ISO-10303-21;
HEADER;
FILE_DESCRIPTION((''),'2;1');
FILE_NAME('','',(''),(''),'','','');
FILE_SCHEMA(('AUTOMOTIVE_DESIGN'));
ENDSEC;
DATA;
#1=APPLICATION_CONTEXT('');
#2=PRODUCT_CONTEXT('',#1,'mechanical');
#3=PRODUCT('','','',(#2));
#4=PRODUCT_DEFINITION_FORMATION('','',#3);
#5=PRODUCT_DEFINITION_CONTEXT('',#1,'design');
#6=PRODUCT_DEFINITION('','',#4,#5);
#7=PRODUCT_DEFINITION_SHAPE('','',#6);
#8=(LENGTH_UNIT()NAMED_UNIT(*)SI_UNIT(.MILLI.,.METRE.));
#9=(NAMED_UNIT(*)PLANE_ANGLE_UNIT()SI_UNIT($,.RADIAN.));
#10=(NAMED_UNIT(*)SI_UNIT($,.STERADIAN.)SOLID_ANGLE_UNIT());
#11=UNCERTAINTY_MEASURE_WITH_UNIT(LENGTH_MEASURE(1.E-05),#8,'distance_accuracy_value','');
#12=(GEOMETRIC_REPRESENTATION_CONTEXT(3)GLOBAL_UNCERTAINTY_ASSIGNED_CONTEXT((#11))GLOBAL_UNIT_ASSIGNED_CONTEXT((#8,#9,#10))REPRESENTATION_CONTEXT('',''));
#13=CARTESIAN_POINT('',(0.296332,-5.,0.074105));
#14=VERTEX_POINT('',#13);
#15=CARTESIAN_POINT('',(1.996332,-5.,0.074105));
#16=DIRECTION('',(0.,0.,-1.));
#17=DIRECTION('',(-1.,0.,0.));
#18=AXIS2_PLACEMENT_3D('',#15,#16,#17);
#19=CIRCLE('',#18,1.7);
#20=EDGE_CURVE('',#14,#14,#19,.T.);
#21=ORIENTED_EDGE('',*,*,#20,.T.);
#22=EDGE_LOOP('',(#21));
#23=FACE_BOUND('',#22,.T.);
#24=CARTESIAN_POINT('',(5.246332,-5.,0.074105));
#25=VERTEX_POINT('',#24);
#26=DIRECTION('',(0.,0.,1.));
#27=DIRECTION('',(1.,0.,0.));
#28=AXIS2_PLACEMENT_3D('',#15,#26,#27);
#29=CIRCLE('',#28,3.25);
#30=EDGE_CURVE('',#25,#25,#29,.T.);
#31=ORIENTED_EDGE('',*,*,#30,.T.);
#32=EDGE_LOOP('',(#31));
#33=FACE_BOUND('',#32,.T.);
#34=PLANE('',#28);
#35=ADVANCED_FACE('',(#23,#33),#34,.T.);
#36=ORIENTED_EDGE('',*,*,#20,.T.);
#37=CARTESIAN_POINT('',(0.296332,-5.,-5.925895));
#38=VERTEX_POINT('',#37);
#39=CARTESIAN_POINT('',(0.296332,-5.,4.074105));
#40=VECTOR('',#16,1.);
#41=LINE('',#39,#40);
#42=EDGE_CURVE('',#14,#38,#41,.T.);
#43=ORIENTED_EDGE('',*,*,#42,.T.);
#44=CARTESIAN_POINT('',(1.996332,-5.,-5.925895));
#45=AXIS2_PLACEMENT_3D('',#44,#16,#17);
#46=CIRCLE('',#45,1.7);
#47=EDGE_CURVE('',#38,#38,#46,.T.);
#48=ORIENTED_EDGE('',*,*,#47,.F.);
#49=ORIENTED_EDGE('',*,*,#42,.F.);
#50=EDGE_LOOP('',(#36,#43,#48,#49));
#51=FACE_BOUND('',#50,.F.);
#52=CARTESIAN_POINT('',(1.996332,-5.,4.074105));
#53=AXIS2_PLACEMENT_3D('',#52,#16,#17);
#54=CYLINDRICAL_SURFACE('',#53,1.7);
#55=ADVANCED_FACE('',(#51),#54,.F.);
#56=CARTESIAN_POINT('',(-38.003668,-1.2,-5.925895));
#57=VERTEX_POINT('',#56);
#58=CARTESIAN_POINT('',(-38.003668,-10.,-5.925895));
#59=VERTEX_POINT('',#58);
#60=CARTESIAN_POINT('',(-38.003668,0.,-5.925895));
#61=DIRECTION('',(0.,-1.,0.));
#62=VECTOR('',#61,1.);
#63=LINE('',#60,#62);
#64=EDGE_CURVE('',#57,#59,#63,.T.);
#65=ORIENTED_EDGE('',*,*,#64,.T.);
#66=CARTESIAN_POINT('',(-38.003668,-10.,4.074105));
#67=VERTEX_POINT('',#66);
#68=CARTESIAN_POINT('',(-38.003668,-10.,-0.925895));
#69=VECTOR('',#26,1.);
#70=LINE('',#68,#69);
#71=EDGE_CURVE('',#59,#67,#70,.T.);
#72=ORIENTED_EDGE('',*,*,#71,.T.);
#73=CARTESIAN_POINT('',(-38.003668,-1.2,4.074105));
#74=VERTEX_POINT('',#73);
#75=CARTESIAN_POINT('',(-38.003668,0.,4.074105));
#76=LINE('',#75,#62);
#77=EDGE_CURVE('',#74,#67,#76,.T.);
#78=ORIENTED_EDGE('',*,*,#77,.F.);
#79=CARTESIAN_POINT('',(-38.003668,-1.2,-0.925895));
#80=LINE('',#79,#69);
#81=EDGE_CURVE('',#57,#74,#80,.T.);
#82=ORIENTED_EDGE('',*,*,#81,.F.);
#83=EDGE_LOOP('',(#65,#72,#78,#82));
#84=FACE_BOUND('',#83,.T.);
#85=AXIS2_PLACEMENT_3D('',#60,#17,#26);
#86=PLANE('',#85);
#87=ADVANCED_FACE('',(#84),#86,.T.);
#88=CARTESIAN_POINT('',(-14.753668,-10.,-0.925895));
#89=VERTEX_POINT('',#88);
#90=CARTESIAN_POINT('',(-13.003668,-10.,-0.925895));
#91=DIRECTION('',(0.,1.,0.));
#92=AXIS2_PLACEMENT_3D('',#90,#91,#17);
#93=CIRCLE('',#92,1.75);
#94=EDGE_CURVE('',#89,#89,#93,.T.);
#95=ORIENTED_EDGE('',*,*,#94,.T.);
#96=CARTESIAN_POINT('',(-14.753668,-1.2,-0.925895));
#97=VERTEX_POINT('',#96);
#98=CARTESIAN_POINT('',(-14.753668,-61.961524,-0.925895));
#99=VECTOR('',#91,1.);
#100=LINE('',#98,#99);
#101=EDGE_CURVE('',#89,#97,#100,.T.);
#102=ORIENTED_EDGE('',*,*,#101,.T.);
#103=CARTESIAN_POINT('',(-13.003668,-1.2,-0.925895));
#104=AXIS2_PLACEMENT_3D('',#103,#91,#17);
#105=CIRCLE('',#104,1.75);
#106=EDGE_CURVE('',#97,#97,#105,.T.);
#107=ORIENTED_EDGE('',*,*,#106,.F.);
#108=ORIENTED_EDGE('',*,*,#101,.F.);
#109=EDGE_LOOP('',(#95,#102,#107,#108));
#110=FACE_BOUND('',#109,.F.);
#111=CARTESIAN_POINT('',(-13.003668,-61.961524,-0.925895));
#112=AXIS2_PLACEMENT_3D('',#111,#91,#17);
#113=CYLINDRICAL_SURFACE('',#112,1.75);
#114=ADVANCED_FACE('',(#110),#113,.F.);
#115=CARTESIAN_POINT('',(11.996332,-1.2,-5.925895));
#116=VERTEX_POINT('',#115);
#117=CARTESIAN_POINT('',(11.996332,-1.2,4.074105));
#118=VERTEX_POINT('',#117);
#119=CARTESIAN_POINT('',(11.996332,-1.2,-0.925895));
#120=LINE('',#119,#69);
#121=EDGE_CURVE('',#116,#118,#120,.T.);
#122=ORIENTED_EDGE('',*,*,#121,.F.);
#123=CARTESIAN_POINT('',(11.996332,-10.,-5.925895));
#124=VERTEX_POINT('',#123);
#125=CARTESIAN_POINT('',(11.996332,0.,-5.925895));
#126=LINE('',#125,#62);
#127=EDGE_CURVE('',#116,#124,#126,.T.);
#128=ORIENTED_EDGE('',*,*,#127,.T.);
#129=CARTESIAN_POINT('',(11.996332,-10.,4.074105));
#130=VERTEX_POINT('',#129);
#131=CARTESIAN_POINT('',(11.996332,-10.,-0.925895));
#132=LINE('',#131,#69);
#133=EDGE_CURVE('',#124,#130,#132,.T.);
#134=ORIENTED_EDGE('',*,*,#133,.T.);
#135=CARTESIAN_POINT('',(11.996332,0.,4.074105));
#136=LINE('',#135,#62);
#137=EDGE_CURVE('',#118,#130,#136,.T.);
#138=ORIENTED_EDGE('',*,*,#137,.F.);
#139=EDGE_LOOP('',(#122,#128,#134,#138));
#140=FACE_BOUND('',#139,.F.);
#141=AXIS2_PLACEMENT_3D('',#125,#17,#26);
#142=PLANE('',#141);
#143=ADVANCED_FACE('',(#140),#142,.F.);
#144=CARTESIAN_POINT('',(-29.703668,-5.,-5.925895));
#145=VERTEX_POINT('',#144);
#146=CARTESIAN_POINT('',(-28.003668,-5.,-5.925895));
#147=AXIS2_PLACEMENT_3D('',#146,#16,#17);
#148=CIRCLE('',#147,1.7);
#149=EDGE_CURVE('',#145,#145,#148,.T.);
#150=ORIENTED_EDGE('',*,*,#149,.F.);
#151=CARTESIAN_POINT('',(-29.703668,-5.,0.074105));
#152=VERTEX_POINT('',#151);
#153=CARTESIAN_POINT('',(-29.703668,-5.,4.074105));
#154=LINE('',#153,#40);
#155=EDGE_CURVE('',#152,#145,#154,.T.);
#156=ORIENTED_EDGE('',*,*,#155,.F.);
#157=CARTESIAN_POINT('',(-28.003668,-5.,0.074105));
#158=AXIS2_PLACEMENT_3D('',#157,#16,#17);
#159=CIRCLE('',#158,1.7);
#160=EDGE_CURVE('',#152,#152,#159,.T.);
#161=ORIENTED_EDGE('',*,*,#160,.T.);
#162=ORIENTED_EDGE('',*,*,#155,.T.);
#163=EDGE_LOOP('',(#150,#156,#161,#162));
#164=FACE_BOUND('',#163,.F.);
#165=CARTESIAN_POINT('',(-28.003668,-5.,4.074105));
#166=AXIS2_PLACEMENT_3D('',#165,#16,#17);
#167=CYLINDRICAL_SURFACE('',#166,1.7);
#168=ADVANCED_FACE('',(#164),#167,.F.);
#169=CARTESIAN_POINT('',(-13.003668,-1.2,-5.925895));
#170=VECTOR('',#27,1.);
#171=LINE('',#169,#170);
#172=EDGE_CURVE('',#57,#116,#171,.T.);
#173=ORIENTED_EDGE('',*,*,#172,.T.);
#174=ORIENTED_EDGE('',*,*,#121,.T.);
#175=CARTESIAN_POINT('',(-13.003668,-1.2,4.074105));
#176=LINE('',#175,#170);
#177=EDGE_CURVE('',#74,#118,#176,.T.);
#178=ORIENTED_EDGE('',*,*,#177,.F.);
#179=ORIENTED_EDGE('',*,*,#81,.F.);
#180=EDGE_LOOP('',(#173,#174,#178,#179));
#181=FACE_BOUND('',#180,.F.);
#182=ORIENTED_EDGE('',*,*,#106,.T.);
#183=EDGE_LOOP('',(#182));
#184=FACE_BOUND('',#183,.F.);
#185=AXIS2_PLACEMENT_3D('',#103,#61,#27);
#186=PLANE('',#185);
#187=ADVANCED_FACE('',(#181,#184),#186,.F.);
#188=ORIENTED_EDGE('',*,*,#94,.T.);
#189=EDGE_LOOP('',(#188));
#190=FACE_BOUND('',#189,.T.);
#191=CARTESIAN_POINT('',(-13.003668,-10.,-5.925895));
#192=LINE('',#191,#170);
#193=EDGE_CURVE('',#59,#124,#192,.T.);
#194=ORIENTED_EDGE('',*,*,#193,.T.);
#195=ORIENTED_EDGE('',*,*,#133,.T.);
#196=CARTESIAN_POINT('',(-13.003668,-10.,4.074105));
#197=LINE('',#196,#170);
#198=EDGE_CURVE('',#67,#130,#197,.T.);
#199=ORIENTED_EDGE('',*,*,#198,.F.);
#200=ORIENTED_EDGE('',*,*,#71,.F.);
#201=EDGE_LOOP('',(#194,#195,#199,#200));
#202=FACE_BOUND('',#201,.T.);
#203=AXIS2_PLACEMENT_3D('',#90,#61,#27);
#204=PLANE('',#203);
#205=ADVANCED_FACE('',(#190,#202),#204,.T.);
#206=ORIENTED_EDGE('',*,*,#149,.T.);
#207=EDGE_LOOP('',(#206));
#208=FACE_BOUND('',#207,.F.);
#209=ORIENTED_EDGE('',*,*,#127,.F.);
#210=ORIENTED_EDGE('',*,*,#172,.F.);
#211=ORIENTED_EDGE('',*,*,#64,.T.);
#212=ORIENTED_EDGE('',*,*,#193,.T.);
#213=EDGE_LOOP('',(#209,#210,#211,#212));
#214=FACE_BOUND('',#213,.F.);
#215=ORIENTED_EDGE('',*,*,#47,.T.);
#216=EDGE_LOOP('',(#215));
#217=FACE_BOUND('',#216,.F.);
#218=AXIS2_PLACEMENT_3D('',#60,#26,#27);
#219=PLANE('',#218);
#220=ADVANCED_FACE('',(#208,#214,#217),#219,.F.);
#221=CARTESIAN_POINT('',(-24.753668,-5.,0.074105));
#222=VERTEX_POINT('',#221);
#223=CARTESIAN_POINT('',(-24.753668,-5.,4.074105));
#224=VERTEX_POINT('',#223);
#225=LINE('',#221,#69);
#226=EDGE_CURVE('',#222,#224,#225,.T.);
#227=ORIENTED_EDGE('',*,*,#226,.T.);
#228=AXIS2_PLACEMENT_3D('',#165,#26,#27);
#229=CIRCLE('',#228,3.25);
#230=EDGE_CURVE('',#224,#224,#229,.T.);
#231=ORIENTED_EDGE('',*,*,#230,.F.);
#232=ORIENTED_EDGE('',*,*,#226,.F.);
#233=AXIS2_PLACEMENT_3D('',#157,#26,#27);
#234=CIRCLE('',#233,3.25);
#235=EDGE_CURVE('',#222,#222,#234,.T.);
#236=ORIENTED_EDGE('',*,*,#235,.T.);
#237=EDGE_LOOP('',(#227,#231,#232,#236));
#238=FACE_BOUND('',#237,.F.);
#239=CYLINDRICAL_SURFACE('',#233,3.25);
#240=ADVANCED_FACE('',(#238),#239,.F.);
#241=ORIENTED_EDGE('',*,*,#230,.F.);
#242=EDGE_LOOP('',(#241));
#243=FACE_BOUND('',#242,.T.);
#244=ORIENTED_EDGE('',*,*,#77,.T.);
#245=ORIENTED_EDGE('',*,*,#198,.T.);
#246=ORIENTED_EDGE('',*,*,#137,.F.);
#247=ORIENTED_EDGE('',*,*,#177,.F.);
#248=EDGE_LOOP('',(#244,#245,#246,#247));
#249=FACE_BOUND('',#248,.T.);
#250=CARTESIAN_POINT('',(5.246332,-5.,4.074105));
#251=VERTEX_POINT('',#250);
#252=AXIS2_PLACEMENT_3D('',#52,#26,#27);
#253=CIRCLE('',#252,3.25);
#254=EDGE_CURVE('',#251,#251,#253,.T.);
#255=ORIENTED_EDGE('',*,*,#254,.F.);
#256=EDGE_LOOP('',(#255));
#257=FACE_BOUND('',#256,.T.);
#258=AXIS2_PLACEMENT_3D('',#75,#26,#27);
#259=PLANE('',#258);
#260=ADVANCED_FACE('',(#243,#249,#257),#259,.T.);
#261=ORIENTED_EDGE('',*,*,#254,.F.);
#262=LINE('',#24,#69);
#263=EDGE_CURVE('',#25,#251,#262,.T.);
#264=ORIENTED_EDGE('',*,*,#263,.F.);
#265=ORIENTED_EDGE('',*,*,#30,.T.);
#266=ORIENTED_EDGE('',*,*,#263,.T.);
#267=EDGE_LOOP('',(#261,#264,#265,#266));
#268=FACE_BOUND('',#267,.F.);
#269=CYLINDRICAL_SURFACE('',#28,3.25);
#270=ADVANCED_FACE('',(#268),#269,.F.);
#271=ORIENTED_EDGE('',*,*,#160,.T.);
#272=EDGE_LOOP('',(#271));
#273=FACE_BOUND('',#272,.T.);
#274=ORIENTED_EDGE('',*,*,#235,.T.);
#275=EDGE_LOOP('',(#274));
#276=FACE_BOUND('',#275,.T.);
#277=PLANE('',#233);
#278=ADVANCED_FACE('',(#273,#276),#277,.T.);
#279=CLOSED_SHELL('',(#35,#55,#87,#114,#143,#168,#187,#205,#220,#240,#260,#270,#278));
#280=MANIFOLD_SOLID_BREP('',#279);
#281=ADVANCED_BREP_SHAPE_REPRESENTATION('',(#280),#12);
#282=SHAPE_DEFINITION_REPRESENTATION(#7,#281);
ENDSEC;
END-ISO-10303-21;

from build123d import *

# Parameters (mm, degrees)
F0_W           = 50
F0_H           = 10
F1_DEPTH       = 10
F3_D           = 3.4
F3_CBORE_D     = 6.5
F3_CBORE_DEPTH = 4
F5_D           = 3.5
F6_DEPTH       = 1.2


with BuildPart() as f1:
    # F0 (on Front) → F1 (new body)
    with BuildSketch(Plane.XZ):
        with Locations((-13.0036683753, -0.9258947149)):
            Rectangle(F0_W, F0_H)
    extrude(amount=F1_DEPTH)

    # F3 (through all)
    with Locations(Plane.XY.offset(4.0741052851)):
        with Locations((-28.0036683753, -5), (1.9963316247, -5)):
            CounterBoreHole(F3_D / 2, F3_CBORE_D / 2, F3_CBORE_DEPTH)

    # F5 (through all)
    with Locations(Plane.XZ.offset(10)):
        with Locations((-13.0036683753, -0.9258947149)):
            Hole(F5_D / 2)

    # F6 (cut): a face of the model
    f6_faces = [f1.faces().sort_by_distance(p)[0] for p in [
        (-13.0036683753, 0, 3.5642033337),
    ]]
    extrude(f6_faces, amount=-F6_DEPTH, mode=Mode.SUBTRACT)


solid = f1.part
